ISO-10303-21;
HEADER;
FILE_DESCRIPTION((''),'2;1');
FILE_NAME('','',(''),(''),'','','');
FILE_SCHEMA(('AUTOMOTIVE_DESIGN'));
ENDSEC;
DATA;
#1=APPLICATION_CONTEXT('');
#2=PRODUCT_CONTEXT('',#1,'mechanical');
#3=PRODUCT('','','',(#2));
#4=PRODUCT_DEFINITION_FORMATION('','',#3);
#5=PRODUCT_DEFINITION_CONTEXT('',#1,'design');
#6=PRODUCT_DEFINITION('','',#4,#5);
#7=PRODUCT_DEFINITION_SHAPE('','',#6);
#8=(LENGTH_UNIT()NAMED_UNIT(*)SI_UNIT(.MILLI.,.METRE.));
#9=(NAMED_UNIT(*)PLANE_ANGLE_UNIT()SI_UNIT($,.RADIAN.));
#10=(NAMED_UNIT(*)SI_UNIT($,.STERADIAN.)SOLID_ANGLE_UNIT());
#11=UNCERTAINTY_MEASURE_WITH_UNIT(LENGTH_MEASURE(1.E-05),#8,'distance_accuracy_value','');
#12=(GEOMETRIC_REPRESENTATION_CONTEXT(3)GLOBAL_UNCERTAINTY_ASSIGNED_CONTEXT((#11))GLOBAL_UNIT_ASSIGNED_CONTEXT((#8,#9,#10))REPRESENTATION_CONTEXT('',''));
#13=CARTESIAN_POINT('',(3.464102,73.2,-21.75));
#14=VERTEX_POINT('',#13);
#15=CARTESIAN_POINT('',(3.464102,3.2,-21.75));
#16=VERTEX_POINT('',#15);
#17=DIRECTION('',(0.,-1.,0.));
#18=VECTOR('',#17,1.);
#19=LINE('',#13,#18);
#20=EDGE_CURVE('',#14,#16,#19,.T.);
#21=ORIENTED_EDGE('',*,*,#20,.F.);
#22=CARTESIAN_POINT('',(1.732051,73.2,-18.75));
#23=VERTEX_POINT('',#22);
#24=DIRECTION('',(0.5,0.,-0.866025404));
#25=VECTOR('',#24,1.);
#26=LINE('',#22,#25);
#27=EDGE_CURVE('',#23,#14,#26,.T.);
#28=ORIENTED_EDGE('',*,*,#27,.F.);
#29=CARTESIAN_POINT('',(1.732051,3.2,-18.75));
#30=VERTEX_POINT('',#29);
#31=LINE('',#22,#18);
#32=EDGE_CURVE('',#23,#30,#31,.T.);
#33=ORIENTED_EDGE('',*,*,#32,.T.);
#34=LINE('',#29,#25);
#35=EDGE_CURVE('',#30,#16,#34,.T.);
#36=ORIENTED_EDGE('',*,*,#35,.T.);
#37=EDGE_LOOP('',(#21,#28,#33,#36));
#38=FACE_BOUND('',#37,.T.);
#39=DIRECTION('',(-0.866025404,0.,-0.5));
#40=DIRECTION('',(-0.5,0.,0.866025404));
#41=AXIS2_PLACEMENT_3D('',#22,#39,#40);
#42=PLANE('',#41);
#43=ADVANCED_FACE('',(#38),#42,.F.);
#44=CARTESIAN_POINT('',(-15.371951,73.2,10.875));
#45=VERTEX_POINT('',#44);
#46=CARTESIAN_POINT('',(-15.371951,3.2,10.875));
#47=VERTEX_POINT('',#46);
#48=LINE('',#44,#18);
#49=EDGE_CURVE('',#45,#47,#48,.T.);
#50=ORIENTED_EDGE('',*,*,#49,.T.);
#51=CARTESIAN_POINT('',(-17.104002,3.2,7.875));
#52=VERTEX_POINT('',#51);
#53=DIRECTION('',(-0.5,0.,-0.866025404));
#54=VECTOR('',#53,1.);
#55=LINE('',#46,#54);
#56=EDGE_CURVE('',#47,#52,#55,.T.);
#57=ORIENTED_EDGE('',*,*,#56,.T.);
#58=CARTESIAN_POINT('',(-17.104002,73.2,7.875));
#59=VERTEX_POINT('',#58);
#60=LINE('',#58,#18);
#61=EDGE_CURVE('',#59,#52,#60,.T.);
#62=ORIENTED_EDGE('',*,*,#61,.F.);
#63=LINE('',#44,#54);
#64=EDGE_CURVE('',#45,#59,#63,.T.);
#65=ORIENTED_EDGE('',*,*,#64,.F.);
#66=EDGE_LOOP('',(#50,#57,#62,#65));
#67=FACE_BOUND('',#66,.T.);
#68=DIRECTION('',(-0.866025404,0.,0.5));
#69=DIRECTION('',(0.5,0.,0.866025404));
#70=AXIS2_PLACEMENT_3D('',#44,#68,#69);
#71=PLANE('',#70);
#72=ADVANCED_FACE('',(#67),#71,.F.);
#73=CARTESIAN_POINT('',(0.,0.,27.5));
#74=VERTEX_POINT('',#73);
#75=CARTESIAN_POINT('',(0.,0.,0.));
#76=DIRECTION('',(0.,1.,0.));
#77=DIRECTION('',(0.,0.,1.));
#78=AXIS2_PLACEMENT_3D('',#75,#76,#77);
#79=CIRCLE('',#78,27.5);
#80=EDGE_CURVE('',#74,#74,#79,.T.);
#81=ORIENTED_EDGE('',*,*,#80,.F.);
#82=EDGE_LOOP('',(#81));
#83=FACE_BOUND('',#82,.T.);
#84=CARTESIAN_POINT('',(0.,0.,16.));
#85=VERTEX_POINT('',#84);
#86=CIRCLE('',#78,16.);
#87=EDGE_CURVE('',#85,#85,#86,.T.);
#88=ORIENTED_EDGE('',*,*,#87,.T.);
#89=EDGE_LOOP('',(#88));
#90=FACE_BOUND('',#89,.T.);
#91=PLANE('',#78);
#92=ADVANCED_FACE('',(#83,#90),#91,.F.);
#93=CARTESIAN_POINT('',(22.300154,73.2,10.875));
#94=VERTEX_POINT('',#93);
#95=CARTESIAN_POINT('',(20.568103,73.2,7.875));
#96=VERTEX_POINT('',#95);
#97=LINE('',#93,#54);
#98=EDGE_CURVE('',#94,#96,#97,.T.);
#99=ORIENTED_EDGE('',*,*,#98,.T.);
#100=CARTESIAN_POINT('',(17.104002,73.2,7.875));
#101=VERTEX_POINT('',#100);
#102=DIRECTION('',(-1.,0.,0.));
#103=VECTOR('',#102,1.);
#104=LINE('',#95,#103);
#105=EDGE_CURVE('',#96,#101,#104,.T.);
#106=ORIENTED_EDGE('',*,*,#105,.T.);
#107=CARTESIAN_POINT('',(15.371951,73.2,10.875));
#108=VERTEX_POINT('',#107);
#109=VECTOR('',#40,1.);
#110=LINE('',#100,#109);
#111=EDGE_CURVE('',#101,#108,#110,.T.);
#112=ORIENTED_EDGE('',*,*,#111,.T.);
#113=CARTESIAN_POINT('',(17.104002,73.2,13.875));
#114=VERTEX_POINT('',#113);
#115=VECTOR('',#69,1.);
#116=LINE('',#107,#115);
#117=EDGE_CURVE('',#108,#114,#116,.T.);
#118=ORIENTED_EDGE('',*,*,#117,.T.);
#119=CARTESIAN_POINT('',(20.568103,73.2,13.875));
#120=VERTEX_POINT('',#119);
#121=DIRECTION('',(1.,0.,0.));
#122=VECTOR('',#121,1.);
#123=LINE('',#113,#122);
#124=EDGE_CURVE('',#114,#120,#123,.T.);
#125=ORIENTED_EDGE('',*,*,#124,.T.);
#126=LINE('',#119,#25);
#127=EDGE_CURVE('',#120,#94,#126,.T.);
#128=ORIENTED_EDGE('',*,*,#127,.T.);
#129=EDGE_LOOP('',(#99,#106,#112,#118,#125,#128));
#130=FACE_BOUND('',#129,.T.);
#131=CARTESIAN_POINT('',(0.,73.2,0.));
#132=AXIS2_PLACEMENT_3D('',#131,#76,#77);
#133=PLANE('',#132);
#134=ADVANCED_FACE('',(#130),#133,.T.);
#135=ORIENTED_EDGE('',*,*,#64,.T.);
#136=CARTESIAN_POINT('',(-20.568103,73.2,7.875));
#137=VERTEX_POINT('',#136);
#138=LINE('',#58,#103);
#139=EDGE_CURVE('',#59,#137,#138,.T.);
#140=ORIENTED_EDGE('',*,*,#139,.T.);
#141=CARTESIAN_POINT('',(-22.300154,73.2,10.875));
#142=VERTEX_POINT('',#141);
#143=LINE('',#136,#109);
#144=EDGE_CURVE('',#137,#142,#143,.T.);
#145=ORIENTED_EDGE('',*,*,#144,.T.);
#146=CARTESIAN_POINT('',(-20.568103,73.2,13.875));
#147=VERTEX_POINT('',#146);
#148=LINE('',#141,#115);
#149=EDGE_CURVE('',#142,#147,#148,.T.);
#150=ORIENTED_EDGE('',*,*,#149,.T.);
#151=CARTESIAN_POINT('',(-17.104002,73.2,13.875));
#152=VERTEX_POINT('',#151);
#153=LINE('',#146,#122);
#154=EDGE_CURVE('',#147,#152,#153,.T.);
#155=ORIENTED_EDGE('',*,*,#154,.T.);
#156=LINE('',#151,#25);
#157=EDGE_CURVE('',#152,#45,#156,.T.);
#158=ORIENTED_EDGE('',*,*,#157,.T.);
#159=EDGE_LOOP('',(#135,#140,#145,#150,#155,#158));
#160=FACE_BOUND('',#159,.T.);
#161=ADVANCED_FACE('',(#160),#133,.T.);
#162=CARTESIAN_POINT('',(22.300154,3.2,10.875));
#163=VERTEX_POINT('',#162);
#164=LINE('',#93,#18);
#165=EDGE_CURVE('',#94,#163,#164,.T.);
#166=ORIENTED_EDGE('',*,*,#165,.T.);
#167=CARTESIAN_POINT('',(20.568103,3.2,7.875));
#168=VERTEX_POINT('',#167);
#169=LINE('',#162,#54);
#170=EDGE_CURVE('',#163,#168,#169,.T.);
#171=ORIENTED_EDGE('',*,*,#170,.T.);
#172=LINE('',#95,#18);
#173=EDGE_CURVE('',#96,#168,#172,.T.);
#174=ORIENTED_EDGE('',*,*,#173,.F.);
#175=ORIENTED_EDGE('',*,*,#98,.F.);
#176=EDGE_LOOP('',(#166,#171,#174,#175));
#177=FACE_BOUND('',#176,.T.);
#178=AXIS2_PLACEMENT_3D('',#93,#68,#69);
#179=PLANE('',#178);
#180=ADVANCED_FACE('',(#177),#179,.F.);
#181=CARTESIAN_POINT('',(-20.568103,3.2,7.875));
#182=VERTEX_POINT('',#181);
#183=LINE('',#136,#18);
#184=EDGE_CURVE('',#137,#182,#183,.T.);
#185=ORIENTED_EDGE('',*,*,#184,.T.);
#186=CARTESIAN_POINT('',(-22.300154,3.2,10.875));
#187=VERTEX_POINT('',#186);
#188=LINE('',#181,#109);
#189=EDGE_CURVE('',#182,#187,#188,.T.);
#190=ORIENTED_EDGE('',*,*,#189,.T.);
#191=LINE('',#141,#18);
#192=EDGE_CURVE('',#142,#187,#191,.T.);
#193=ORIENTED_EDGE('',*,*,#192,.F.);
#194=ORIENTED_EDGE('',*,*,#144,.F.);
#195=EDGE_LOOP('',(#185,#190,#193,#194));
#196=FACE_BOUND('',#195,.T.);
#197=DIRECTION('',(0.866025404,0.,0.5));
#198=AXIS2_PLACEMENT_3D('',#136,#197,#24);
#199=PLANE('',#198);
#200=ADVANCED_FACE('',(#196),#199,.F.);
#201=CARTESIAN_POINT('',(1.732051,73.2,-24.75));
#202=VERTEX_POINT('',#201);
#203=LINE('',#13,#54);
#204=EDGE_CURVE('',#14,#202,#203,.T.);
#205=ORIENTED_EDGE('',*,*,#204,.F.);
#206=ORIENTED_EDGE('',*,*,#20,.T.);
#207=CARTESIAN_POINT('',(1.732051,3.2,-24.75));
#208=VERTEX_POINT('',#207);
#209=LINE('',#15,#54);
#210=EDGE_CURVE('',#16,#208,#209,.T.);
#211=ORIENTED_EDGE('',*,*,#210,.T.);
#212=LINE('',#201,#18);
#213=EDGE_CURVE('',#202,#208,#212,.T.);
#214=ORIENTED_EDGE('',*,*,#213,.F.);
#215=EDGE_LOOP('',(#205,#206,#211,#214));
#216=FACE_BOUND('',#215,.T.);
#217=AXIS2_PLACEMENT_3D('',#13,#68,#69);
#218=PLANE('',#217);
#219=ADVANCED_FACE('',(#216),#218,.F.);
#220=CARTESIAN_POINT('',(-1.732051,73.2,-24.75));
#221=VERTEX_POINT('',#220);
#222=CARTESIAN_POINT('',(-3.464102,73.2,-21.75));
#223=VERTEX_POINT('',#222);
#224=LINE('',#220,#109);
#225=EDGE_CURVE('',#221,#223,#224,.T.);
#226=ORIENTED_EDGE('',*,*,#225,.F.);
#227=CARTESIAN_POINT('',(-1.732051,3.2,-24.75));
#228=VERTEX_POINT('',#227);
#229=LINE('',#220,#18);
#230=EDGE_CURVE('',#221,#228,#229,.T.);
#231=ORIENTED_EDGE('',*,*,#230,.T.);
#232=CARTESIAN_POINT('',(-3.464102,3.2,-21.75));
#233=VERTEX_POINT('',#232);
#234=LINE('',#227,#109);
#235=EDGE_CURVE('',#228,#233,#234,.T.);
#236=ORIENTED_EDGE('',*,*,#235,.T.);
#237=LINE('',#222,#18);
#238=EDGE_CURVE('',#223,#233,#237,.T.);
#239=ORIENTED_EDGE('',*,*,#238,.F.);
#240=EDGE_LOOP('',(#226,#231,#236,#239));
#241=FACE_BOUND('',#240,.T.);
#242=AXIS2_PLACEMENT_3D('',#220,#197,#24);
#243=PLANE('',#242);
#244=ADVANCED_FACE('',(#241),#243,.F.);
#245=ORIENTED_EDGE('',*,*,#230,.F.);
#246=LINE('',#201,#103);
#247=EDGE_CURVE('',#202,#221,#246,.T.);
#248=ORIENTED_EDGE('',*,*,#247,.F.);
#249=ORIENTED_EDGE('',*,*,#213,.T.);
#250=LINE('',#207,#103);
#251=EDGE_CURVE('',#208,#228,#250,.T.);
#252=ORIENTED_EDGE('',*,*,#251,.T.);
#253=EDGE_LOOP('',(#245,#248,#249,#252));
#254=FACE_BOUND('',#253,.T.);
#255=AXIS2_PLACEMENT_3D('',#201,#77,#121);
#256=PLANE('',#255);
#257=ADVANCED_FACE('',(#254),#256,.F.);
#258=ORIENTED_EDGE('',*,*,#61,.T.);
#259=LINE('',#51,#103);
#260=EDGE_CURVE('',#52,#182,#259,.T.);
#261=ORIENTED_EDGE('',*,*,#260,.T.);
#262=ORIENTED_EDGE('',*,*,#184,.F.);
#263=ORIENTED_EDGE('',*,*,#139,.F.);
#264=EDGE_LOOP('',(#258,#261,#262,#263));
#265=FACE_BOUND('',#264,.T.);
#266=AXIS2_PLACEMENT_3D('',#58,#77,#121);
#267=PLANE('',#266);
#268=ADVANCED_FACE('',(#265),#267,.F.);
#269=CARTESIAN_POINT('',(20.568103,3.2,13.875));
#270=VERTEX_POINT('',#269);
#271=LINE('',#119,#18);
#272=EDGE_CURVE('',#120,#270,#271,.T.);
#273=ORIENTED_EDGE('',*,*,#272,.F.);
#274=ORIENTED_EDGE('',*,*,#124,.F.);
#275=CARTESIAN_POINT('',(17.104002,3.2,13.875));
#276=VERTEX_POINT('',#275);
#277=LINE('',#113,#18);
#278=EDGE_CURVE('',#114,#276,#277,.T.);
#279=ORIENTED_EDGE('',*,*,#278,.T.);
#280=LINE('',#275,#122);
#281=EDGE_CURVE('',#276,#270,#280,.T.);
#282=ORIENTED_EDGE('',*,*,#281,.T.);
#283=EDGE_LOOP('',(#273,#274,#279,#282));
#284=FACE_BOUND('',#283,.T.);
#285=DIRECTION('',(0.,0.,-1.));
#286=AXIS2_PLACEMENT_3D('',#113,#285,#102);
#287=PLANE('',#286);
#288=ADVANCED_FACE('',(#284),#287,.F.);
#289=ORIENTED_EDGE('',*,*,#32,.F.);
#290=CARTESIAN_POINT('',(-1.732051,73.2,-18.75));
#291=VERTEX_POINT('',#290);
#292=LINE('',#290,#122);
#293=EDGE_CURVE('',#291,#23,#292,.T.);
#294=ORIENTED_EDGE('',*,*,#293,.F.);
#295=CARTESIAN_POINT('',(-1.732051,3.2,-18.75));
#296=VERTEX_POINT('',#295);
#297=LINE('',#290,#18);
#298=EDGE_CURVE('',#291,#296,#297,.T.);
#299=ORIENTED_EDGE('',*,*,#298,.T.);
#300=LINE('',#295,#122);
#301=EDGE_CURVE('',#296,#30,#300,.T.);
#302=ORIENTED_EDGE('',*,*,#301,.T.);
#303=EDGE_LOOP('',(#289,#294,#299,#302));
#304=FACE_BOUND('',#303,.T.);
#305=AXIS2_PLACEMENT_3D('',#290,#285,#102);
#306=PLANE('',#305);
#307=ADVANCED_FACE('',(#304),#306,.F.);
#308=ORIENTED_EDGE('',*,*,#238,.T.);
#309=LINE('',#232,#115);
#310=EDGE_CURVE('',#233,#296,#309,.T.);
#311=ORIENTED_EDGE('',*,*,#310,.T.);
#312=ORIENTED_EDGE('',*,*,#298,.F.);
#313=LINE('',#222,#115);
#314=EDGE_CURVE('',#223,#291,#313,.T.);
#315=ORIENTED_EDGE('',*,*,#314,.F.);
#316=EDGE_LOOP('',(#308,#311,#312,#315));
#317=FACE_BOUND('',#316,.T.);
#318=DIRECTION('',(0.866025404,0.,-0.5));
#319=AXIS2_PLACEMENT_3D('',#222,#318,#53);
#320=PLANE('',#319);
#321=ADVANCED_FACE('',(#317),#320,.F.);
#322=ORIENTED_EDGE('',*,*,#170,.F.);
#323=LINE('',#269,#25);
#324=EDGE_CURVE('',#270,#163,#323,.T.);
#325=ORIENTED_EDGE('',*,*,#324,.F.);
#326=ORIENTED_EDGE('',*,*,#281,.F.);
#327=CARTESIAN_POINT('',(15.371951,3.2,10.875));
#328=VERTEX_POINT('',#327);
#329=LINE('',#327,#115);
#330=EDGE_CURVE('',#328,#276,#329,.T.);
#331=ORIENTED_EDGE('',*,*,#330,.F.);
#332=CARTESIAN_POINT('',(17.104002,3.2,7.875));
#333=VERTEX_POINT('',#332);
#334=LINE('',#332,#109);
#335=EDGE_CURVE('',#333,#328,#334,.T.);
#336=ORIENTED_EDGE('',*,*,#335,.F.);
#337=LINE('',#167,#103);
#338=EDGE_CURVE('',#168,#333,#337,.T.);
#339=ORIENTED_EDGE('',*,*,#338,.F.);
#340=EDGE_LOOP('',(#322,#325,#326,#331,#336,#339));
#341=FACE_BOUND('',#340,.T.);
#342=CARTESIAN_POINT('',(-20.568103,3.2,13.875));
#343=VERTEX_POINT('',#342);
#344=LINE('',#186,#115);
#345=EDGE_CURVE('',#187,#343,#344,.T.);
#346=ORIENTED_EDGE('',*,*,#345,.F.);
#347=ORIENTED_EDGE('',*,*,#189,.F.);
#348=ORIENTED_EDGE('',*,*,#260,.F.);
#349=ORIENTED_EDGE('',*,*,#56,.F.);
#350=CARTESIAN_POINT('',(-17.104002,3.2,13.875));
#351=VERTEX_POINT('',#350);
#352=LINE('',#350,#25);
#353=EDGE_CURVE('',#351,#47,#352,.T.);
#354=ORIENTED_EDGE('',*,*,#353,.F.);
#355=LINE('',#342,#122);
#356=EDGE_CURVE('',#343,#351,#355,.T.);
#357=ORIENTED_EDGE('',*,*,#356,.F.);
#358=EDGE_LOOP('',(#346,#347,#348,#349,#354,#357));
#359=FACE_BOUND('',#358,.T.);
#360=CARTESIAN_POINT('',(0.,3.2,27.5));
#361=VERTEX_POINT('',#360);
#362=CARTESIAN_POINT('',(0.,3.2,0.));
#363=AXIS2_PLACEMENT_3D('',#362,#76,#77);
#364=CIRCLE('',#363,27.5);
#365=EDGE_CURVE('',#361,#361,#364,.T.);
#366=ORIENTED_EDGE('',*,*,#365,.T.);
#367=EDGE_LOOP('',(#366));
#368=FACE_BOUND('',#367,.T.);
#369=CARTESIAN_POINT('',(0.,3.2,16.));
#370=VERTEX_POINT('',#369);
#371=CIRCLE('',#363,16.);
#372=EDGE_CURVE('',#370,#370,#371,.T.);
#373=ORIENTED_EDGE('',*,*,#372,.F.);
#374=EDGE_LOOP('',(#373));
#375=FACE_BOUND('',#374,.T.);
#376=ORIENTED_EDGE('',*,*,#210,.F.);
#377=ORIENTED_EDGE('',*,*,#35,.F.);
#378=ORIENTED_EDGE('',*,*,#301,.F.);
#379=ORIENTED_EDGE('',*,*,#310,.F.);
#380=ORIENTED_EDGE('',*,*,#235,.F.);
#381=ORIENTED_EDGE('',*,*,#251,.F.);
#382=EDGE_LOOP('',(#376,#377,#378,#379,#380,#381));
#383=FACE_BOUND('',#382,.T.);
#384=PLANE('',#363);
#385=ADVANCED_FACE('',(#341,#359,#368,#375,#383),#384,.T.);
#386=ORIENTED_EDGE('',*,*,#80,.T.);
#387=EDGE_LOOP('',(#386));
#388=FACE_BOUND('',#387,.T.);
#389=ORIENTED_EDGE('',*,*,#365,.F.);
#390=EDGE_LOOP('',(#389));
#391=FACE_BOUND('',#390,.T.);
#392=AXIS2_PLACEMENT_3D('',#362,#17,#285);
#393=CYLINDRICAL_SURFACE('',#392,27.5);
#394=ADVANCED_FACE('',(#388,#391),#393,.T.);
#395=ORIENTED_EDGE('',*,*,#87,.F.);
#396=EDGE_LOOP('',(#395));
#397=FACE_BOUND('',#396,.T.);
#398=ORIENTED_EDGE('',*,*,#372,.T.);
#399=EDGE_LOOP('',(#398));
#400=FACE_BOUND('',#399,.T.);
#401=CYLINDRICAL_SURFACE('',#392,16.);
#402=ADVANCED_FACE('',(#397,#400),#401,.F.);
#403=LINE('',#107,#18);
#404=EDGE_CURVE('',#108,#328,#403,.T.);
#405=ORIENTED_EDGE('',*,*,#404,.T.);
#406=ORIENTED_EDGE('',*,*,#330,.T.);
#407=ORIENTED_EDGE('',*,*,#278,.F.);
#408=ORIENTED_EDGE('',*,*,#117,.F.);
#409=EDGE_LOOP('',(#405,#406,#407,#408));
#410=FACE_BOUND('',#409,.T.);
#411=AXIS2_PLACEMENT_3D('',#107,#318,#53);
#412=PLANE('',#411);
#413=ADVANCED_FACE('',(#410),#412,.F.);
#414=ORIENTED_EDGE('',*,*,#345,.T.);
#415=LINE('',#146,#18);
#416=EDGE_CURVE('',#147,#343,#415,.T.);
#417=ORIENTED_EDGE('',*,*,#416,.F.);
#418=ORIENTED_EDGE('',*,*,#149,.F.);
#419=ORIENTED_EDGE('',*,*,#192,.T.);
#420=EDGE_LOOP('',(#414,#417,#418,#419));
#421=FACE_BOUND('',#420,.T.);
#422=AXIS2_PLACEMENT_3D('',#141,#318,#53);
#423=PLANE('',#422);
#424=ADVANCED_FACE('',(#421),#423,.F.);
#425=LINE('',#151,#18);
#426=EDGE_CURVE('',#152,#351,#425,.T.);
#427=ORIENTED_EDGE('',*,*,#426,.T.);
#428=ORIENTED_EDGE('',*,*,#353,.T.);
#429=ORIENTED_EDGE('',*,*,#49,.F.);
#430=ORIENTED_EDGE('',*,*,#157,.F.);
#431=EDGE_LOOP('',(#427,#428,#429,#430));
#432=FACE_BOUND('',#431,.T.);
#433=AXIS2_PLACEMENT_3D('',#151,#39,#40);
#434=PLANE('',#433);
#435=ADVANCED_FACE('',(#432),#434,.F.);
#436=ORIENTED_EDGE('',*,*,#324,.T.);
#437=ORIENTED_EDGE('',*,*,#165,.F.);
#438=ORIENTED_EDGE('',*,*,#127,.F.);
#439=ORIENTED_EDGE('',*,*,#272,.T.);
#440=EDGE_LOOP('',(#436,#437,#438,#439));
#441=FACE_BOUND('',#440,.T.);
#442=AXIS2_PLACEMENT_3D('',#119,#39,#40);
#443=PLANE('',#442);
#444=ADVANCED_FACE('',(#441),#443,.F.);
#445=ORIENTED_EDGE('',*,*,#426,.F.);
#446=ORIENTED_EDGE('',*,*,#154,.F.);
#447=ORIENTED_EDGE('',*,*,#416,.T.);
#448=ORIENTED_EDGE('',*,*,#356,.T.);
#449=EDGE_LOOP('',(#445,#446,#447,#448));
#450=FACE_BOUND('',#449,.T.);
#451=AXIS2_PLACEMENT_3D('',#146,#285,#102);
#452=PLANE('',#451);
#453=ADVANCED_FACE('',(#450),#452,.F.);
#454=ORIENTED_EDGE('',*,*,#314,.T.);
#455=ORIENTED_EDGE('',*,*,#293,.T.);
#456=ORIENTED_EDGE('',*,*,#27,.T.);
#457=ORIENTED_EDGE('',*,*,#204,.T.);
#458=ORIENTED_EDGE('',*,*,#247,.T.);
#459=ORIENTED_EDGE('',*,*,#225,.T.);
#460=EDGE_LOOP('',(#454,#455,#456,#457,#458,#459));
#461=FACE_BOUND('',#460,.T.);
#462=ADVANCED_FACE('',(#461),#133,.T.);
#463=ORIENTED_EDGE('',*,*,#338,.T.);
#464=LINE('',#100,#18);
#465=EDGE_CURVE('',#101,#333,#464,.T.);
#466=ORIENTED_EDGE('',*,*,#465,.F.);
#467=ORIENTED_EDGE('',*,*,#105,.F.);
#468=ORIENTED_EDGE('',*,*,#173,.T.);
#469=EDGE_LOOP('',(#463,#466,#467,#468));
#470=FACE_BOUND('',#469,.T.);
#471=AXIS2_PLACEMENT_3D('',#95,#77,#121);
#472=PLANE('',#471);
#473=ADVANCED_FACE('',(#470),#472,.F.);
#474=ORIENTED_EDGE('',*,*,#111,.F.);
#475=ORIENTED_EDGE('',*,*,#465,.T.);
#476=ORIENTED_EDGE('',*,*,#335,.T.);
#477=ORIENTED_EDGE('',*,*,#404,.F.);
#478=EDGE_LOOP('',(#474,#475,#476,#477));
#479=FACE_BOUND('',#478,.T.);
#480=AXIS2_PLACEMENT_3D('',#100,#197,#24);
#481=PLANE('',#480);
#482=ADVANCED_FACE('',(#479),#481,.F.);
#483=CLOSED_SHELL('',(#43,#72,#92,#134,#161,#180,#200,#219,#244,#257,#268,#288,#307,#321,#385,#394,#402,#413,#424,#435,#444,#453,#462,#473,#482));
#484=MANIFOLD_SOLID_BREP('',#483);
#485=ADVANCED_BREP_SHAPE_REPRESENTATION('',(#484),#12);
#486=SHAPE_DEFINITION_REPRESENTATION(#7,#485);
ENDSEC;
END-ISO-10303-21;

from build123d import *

# Parameters (mm, degrees)
SKETCH_1_R      = 27.5
SKETCH_1_R_2    = 16
EXTRUDE_1_DEPTH = 3.2
EXTRUDE_2_DEPTH = 70


with BuildPart() as part:
    # Эскиз1 → Бобышка-Вытянуть1 (new body)
    with BuildSketch(Plane(origin=(0, 0, 0), x_dir=(1, 0, 0), z_dir=(0, 1, 0))):
        with Locations(Location((0, 0, 0), (0, 0, 270))):
            Circle(SKETCH_1_R)
        with Locations(Location((0, 0, 0), (0, 0, 270))):
            Circle(SKETCH_1_R_2, mode=Mode.SUBTRACT)
    extrude(amount=EXTRUDE_1_DEPTH)

    # Эскиз2 → Бобышка-Вытянуть2 (add)
    with BuildSketch(Plane(origin=(0, 3.2, 0), x_dir=(1, 0, 0), z_dir=(0, 1, 0))):
        Polygon((17.104001725, -13.875), (20.56810334, -13.875), (22.300154147, -10.875), (20.56810334, -7.875), (17.104001725, -7.875), (15.371950917, -10.875), align=None)
        Polygon((3.464101615, 21.75), (1.732050808, 24.75), (-1.732050808, 24.75), (-3.464101615, 21.75), (-1.732050808, 18.75), (1.732050808, 18.75), align=None)
        Polygon((-20.56810334, -7.875), (-22.300154147, -10.875), (-20.56810334, -13.875), (-17.104001725, -13.875), (-15.371950917, -10.875), (-17.104001725, -7.875), align=None)
    extrude(amount=EXTRUDE_2_DEPTH)


solid = part.part
